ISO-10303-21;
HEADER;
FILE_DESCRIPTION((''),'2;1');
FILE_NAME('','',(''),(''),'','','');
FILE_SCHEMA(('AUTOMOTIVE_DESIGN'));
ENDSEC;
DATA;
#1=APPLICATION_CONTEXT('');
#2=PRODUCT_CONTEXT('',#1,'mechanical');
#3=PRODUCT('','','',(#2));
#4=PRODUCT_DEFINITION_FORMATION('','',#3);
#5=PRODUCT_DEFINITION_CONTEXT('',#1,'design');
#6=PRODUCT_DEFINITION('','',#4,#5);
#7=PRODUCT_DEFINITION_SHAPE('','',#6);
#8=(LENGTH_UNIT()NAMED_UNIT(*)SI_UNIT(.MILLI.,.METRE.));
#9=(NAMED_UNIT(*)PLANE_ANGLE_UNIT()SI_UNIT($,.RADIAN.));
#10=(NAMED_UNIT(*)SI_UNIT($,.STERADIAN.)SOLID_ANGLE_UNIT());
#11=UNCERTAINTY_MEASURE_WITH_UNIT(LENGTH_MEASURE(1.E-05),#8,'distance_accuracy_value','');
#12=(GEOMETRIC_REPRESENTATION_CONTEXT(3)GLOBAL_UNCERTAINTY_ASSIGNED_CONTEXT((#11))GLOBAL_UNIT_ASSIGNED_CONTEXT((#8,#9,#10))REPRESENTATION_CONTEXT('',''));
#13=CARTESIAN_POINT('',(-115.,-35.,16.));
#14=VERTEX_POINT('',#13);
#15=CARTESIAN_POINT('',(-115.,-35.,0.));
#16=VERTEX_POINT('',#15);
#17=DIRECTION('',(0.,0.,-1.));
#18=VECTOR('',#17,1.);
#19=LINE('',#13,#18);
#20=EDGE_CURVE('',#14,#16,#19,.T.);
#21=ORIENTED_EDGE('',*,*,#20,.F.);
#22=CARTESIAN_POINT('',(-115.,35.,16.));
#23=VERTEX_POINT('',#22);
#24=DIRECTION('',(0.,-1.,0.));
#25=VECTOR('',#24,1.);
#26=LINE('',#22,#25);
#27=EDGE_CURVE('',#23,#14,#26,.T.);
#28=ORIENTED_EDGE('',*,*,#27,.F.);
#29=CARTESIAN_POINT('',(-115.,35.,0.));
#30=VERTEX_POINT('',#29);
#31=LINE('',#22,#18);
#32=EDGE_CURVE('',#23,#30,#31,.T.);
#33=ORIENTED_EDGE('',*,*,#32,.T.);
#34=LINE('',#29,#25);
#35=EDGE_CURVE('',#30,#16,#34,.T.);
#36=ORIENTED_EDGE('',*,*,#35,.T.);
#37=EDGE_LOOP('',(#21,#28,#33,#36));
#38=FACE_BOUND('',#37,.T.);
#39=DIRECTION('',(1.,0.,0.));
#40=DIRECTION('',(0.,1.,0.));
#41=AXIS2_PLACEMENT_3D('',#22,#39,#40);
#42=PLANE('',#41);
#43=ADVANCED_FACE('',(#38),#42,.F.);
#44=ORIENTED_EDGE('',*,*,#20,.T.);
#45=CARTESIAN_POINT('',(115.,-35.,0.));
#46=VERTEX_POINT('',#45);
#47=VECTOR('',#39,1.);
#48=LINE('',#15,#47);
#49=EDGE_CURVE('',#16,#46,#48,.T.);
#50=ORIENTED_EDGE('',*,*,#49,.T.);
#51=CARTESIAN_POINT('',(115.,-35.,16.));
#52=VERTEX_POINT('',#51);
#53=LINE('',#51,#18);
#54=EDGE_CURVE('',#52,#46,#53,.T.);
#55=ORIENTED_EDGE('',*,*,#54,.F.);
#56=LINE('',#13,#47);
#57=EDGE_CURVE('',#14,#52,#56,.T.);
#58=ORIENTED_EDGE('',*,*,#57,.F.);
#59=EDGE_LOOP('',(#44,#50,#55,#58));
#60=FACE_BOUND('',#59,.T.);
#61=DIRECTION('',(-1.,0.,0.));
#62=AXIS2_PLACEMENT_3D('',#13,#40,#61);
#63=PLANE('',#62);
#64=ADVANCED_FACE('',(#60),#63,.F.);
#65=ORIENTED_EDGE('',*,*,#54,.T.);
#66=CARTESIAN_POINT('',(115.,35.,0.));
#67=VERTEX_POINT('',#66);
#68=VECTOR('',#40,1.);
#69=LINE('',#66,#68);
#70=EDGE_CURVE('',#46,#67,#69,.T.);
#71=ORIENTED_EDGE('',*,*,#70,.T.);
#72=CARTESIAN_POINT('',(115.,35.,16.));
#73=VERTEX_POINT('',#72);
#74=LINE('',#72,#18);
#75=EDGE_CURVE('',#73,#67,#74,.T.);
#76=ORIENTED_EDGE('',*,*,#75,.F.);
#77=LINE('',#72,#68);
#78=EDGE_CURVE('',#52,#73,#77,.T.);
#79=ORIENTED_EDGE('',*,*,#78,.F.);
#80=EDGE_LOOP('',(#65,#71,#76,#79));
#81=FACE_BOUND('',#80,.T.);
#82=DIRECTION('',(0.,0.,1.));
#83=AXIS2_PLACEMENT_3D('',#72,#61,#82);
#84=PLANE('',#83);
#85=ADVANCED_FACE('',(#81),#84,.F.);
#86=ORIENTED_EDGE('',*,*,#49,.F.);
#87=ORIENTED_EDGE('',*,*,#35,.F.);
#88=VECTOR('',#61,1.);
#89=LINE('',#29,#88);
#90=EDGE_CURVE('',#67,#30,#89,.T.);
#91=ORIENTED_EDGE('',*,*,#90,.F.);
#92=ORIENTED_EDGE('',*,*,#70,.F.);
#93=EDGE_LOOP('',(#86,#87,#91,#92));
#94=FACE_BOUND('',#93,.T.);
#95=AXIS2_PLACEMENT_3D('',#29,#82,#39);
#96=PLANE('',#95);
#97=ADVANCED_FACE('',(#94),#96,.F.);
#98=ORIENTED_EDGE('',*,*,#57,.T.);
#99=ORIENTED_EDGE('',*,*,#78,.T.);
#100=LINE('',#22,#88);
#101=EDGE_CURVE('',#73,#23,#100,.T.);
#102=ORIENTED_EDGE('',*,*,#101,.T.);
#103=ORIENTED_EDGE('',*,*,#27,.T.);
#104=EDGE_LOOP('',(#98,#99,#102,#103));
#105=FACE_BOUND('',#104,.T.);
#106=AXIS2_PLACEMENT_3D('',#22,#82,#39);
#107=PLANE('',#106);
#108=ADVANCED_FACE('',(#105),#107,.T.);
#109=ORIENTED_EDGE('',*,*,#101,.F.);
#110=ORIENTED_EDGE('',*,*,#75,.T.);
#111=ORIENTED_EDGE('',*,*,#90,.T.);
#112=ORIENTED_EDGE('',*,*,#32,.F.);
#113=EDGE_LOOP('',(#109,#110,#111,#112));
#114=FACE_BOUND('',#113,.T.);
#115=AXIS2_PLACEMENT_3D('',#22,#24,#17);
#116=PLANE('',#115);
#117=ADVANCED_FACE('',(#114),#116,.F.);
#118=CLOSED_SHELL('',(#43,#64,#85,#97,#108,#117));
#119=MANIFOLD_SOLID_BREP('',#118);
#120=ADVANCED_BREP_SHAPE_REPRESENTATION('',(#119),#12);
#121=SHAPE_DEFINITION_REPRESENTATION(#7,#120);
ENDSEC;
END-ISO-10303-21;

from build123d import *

# Parameters (mm, degrees)
SKETCH_1_W        = 230
SKETCH_1_H        = 70
EXTRUDE_308_DEPTH = 16


with BuildPart() as part:
    # 草图1 → Extrude 308 (new body)
    with BuildSketch(Plane.XY):
        Rectangle(SKETCH_1_W, SKETCH_1_H)
    extrude(amount=EXTRUDE_308_DEPTH)


solid = part.part
